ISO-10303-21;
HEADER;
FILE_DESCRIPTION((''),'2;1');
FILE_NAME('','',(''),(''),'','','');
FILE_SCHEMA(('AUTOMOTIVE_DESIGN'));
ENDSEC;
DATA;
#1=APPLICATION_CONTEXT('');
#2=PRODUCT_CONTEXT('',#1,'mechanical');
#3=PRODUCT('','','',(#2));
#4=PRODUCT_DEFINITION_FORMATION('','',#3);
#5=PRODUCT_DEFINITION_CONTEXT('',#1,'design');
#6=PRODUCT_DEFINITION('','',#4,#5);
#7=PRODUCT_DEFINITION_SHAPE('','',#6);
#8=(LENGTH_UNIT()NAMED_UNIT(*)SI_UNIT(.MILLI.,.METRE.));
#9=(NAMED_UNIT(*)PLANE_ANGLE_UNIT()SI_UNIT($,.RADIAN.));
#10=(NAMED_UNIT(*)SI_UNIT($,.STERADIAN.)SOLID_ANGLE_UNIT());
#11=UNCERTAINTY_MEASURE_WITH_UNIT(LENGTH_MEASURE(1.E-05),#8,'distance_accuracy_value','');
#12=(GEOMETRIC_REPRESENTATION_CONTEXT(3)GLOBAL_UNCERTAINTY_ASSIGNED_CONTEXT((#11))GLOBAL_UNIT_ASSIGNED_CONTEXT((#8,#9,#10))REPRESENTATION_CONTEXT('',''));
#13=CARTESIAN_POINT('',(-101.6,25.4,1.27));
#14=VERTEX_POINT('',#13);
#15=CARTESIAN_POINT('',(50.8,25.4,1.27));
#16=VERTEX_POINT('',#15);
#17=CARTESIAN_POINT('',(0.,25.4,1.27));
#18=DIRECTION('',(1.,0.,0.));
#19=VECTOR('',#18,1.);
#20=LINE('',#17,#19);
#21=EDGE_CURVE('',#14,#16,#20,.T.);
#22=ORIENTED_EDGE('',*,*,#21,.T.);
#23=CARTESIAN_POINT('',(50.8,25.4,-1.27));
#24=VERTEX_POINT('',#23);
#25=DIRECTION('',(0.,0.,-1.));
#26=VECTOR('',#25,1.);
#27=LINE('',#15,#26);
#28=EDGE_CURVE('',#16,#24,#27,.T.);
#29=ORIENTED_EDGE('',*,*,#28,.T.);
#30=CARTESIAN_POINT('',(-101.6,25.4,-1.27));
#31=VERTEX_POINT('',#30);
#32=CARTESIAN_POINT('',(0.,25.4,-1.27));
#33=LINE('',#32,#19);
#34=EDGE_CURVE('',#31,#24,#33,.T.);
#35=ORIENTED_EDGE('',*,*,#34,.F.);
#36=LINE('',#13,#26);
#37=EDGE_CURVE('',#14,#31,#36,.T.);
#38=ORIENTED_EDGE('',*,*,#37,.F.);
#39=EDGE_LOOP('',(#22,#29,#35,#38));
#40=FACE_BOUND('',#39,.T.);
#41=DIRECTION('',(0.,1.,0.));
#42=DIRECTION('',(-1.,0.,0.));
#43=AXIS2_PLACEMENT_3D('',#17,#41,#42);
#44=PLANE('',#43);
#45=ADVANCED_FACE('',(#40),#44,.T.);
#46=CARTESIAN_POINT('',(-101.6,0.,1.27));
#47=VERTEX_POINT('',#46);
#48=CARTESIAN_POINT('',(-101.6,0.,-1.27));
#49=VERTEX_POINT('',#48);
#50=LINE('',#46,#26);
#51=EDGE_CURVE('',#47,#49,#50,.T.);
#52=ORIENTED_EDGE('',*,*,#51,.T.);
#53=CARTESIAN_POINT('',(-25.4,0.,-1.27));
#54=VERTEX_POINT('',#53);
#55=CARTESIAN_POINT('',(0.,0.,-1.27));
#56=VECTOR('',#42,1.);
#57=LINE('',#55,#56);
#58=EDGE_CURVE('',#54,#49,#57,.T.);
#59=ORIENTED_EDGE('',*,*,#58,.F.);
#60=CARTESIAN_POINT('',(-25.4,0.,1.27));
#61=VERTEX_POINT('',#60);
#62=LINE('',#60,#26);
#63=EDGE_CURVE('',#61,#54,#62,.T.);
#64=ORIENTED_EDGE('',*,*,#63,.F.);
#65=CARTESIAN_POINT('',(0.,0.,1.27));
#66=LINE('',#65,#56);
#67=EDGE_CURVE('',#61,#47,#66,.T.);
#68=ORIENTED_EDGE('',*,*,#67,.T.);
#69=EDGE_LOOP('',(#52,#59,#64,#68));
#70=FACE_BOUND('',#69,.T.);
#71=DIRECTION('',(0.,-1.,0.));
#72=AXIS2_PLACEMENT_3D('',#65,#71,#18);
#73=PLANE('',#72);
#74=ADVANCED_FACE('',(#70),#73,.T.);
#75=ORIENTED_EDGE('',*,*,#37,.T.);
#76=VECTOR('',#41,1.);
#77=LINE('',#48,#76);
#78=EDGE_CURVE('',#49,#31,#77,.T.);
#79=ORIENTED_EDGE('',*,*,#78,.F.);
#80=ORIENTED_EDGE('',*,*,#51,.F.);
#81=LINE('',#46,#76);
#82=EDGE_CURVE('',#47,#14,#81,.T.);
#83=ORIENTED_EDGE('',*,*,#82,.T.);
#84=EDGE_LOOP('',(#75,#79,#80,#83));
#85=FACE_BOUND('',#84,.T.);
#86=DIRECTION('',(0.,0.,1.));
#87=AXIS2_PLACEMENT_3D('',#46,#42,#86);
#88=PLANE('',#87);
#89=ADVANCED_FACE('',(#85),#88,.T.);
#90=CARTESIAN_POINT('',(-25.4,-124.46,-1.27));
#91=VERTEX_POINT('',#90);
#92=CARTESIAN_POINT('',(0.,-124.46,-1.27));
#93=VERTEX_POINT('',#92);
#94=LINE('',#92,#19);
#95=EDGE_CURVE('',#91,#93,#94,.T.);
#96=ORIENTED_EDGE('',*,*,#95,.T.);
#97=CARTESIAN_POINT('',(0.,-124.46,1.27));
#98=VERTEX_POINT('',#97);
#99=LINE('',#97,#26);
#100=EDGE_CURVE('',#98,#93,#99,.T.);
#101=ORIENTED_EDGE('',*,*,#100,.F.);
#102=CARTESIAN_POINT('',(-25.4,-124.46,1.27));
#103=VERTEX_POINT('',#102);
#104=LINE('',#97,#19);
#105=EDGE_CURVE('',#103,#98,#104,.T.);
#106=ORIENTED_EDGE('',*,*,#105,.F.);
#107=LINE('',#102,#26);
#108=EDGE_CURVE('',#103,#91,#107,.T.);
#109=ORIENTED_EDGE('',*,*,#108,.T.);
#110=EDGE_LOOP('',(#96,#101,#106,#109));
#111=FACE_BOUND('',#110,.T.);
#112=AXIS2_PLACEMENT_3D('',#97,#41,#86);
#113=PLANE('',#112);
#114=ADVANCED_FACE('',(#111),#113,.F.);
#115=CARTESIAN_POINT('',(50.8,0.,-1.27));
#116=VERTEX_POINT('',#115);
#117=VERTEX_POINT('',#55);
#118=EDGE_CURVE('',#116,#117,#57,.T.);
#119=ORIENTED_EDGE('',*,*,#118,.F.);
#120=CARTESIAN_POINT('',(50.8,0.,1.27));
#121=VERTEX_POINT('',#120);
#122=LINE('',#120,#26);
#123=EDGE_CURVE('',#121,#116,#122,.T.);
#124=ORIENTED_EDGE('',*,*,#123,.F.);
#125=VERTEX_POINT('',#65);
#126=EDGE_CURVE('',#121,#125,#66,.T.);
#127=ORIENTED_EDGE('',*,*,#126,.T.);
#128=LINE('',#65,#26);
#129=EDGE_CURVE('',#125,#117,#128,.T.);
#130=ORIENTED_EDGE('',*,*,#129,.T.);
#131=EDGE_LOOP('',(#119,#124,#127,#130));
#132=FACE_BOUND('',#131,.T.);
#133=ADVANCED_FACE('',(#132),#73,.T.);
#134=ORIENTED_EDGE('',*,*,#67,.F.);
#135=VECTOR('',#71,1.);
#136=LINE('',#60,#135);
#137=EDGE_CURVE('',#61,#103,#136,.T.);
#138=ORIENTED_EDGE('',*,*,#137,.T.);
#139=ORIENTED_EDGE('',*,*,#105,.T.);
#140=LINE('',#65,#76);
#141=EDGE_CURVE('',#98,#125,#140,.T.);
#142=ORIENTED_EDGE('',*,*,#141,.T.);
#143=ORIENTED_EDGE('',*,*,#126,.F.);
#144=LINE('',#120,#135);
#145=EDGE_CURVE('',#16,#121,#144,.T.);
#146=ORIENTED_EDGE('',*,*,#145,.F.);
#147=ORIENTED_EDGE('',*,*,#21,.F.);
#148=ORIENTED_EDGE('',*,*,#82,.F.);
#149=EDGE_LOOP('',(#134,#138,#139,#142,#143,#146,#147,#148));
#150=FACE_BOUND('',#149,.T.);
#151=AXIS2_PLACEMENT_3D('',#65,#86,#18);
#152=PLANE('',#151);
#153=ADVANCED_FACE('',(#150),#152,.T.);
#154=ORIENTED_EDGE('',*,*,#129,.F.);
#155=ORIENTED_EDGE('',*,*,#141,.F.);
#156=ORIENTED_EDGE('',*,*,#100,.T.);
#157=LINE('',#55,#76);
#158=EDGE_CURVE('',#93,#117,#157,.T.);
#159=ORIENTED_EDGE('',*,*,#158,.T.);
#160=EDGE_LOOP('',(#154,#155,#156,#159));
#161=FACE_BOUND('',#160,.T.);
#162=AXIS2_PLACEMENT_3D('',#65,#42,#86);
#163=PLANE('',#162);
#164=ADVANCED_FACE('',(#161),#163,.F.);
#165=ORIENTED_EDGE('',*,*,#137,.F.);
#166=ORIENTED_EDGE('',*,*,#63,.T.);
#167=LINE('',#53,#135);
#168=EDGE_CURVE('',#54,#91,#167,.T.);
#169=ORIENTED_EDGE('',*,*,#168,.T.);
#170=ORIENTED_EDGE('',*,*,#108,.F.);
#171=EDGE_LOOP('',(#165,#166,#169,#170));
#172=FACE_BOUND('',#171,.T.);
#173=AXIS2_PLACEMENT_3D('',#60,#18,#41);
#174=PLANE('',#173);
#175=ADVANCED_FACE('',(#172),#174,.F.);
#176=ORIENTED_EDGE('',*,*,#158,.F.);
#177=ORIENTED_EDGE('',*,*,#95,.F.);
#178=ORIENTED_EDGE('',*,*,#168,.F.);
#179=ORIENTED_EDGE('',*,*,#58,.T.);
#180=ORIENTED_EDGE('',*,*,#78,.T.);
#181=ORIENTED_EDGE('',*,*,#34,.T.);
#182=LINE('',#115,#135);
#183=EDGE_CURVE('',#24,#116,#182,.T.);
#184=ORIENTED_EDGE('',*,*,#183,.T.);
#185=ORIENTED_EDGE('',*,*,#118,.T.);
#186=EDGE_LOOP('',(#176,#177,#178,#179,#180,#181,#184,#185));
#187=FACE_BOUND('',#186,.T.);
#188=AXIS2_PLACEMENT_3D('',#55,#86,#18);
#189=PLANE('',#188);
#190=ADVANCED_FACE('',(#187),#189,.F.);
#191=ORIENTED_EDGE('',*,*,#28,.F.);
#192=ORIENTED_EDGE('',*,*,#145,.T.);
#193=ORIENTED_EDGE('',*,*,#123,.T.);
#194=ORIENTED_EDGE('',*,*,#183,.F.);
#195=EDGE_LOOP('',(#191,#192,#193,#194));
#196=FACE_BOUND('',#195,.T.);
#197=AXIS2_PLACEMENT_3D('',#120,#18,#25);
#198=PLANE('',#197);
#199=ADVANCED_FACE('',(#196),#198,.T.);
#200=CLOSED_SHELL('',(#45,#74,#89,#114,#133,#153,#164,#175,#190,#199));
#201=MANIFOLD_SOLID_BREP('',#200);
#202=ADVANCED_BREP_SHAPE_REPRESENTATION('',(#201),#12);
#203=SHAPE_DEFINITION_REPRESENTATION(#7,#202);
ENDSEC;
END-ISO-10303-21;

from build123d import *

# Parameters (mm, degrees)
SKETCH1_W           = 25.4
SKETCH1_H           = 124.46
BOSS_EXTRUDE1_DEPTH = 1.27


with BuildPart() as part:
    # Sketch1 → Boss-Extrude1 (new, symmetric)
    with BuildSketch(Plane.XY):
        with Locations((-12.7, -62.23)):
            Rectangle(SKETCH1_W, SKETCH1_H)
        Polygon((50.8, 25.4), (-101.6, 25.4), (-101.6, 0), (-25.4, 0), (0, 0), (50.8, 0), align=None)
    extrude(amount=BOSS_EXTRUDE1_DEPTH, both=True)


solid = part.part
